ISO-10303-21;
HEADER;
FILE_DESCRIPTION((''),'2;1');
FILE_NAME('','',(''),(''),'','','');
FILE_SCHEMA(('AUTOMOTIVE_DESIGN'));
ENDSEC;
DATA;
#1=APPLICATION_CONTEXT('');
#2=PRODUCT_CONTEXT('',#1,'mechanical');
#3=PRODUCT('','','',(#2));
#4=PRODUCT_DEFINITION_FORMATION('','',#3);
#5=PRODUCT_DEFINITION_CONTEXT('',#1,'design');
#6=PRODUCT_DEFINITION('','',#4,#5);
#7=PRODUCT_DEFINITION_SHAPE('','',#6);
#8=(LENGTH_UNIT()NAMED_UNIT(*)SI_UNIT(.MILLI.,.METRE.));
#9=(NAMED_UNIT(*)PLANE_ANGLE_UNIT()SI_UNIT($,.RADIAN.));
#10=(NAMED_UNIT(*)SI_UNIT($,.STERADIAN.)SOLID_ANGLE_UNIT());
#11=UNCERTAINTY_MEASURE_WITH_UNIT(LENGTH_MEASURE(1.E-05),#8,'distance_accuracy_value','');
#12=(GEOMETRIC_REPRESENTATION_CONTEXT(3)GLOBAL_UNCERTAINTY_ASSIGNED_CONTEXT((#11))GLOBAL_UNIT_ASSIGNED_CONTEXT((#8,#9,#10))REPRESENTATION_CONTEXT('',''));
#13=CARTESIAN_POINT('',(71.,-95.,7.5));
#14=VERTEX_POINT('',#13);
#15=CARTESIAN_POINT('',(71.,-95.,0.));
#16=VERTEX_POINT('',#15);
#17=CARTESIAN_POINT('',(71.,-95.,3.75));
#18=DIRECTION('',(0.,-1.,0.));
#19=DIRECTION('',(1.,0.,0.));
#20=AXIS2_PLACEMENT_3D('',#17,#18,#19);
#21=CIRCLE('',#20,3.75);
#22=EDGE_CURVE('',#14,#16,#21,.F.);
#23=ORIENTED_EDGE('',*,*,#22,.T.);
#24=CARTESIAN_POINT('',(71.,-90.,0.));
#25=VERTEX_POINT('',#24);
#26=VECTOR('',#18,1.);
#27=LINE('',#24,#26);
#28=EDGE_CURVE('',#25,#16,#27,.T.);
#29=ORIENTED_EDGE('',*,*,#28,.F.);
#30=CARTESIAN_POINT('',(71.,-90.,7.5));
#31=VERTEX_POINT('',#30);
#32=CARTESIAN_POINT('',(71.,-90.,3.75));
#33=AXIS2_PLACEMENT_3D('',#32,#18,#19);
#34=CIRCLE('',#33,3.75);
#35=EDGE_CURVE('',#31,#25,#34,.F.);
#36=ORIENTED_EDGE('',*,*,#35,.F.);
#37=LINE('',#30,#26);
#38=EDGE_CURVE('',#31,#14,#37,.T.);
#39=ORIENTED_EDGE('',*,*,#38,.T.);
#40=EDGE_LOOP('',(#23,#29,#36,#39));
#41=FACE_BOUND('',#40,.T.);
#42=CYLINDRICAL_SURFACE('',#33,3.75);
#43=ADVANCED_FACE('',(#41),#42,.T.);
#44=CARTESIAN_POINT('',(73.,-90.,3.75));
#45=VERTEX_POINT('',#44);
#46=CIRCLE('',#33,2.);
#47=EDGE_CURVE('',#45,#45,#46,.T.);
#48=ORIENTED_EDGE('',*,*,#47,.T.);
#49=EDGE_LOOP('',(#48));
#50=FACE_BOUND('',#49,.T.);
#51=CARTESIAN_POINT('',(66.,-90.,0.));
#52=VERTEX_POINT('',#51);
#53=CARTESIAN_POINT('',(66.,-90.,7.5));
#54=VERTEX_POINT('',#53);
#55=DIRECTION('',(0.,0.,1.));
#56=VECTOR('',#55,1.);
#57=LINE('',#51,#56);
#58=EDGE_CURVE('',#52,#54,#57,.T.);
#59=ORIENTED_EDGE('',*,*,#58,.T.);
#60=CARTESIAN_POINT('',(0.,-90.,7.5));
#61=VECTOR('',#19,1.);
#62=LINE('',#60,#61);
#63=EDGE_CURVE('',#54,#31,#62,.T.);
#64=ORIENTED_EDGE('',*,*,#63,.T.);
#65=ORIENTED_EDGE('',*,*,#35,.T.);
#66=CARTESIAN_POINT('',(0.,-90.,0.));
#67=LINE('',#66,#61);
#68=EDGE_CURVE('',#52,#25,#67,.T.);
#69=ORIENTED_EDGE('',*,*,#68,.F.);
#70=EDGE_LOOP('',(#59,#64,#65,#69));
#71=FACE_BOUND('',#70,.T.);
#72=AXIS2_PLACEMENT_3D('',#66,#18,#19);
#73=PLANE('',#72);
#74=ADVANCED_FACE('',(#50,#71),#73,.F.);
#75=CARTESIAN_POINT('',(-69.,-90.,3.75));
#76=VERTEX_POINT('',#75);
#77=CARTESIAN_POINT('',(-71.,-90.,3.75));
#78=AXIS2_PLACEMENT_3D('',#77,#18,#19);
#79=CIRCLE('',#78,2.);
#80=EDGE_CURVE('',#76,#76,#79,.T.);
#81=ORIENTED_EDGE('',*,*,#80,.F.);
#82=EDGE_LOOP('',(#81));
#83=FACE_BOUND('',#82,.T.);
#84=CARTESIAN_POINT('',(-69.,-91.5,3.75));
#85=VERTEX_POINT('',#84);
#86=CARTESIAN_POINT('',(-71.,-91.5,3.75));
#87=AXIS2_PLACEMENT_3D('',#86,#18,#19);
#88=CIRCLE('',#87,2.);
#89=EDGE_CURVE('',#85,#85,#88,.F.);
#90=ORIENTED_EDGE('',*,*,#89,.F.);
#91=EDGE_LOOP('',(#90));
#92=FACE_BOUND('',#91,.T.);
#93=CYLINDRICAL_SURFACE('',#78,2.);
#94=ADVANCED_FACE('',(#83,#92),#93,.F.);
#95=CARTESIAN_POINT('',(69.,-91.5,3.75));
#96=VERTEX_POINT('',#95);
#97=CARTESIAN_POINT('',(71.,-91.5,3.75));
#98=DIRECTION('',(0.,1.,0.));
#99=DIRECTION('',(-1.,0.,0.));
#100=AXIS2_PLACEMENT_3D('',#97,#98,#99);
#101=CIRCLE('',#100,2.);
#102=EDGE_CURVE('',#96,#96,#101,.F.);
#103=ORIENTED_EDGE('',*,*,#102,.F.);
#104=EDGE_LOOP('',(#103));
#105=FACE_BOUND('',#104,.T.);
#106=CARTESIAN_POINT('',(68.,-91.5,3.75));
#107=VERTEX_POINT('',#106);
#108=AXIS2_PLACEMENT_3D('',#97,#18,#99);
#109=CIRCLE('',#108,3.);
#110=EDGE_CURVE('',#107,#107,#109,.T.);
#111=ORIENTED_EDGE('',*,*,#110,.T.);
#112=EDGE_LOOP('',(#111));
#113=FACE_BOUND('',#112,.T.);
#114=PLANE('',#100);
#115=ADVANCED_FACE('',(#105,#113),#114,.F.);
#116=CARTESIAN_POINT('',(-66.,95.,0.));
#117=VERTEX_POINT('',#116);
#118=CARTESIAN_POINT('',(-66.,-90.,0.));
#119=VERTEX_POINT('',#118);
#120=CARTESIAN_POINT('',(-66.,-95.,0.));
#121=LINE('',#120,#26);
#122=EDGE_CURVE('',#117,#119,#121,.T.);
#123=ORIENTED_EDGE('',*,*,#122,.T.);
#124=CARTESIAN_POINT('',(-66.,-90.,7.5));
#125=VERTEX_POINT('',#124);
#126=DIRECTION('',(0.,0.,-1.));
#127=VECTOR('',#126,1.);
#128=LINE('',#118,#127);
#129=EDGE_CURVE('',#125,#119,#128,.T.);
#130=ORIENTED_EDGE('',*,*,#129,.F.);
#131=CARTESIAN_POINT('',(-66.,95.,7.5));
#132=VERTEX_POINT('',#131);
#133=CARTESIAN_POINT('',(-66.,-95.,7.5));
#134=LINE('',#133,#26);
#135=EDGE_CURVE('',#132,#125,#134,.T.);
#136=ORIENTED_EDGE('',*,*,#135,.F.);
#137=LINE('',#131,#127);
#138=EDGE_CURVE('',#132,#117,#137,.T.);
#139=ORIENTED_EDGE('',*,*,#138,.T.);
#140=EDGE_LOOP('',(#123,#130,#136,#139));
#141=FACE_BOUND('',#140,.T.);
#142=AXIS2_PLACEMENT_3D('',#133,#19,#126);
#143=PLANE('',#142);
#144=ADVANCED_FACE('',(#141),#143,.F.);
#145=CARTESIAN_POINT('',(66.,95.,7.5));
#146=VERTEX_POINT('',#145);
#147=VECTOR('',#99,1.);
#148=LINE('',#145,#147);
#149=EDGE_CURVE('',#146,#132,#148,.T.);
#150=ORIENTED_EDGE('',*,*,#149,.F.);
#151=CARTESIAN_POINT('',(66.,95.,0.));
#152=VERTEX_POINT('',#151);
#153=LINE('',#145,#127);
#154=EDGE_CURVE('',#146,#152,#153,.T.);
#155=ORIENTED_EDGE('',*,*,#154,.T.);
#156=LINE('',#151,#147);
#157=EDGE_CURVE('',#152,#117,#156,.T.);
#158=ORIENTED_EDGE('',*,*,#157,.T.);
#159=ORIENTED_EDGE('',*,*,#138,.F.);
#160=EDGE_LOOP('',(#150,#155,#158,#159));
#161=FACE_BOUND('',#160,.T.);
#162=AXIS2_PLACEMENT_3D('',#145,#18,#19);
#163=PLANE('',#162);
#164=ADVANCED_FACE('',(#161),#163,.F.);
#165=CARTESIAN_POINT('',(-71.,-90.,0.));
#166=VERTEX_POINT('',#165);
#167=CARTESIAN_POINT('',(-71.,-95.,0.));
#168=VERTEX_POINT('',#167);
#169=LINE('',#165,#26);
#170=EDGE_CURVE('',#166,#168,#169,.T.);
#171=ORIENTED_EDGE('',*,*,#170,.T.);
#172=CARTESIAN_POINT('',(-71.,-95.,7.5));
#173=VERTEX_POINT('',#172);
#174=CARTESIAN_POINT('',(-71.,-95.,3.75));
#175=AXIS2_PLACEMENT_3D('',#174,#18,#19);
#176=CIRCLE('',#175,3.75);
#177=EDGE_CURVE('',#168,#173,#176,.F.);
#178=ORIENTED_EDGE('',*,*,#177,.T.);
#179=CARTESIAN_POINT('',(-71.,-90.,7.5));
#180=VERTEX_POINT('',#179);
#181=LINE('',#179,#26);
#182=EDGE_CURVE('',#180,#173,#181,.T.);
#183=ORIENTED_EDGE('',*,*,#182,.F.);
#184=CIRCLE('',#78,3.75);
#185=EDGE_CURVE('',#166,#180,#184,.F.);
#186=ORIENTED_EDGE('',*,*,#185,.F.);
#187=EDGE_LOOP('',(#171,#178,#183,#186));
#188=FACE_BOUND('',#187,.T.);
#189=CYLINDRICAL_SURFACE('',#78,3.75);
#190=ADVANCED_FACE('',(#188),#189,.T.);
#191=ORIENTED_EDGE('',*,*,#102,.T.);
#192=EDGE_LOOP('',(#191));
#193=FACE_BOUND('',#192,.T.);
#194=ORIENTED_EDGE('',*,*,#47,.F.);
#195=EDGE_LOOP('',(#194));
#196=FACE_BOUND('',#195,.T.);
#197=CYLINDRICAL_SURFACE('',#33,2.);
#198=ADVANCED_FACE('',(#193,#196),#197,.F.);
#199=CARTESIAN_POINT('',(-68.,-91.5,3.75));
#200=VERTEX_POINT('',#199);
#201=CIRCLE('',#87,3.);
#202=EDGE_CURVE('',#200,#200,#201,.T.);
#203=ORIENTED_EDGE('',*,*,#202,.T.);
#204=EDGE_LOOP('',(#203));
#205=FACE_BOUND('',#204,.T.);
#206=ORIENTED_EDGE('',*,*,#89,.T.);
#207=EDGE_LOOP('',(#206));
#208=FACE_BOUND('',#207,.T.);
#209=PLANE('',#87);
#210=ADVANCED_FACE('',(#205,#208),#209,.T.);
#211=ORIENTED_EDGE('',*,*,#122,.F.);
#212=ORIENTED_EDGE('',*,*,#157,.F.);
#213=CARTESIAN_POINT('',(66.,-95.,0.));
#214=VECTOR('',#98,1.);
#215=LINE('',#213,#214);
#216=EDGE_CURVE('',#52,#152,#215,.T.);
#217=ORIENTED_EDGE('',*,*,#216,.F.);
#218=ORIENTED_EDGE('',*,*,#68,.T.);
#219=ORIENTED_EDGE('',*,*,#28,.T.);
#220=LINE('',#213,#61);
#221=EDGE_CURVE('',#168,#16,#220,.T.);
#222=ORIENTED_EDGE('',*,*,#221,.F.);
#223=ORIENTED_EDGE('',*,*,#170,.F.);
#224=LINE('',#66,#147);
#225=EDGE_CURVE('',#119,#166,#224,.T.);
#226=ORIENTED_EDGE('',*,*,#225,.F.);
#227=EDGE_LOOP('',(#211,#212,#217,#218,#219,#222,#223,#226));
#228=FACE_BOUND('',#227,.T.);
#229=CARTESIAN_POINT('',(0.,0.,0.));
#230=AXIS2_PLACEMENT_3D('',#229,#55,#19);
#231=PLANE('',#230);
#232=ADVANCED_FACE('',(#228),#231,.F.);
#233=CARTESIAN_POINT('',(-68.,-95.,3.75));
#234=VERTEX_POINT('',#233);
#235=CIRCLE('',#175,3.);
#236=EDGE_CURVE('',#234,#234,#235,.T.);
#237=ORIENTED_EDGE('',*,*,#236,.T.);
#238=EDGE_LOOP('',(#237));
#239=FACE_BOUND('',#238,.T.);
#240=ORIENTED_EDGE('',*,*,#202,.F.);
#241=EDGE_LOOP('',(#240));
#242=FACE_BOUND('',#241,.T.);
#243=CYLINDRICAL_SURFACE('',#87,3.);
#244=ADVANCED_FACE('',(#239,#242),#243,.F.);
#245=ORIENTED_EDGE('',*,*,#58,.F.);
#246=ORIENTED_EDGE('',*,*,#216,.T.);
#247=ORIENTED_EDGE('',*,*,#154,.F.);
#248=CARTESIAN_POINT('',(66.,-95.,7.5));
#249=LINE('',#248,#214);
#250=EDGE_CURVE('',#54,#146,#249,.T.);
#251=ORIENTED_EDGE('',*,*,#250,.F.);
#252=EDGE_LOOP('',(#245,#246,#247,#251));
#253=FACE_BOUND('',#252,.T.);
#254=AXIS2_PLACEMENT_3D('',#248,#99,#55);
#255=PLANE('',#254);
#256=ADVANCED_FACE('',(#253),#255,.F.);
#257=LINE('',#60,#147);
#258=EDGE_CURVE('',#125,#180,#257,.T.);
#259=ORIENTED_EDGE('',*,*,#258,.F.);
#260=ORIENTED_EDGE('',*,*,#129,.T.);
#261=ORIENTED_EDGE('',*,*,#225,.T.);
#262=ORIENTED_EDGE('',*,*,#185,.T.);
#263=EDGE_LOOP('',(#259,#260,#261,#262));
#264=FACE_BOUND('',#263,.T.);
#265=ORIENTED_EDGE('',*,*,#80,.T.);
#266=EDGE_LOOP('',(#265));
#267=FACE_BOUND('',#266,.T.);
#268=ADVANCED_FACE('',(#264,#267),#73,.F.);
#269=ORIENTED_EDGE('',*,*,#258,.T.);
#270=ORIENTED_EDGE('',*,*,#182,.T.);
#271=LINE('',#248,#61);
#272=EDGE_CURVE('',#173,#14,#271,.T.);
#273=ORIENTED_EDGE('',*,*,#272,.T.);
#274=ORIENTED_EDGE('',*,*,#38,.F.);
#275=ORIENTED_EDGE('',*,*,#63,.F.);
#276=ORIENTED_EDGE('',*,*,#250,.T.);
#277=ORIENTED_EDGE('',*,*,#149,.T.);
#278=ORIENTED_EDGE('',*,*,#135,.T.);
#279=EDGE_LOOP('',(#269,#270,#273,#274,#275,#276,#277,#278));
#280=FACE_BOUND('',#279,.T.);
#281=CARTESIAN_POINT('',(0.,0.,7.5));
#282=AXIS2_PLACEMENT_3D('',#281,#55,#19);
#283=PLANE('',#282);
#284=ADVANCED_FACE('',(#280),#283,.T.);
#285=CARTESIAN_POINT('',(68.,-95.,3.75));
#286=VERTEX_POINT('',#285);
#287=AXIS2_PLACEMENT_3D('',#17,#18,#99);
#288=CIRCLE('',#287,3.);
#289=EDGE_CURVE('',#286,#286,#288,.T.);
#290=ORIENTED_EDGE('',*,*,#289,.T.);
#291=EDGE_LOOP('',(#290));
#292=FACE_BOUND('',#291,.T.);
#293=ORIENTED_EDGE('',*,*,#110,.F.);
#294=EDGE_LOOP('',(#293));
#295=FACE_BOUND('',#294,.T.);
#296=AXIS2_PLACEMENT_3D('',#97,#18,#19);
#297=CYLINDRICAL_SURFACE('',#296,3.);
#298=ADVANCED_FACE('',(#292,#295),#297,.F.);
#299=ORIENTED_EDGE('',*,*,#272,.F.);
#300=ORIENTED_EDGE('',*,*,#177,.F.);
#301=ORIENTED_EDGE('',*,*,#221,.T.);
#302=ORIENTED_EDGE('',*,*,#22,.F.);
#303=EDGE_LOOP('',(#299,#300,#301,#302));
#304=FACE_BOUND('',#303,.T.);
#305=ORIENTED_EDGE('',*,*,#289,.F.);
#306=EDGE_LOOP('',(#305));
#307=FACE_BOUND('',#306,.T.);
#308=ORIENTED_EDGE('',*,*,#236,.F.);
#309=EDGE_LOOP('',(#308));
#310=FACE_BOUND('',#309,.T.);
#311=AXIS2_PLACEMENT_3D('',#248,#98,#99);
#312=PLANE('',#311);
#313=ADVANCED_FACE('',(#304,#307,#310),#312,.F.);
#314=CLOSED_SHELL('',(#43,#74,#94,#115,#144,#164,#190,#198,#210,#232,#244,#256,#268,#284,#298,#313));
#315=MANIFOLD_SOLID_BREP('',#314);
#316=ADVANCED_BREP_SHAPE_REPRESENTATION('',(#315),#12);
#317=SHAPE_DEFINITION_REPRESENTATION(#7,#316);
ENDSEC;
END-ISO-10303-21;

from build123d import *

# Parameters (mm, degrees)
SKETCH1_W           = 132
SKETCH1_H           = 190
BOSS_EXTRUDE1_DEPTH = 7.5
SKETCH2_W           = 5
SKETCH2_H           = 7.5
BOSS_EXTRUDE2_DEPTH = 5
SKETCH3_R           = 2
CUT_EXTRUDE1_DEPTH  = 5
SKETCH4_R           = 3
CUT_EXTRUDE2_DEPTH  = 3.5


with BuildPart() as part:
    # Sketch1 → Boss-Extrude1 (new body)
    with BuildSketch(Plane.XY):
        Rectangle(SKETCH1_W, SKETCH1_H)
    extrude(amount=BOSS_EXTRUDE1_DEPTH)

    # Sketch2 → Boss-Extrude2 (add)
    with BuildSketch(Plane(origin=(0, -95, 0), x_dir=(-1, 0, 0), z_dir=(0, -1, 0))):
        with BuildLine():
            ThreePointArc((71, 0), (74.75, -3.75), (71, -7.5))
            Line((71, -7.5), (71, 0))
        make_face()
        with Locations((68.5, -3.75)):
            Rectangle(SKETCH2_W, SKETCH2_H)
        with BuildLine():
            ThreePointArc((-71, -7.5), (-74.75, -3.75), (-71, 0))
            Line((-71, 0), (-71, -7.5))
        make_face()
        with Locations((-68.5, -3.75)):
            Rectangle(SKETCH2_W, SKETCH2_H)
    extrude(amount=-BOSS_EXTRUDE2_DEPTH)

    # Sketch3 → Cut-Extrude1 (cut)
    with BuildSketch(Plane(origin=(0, -95, 0), x_dir=(-1, 0, 0), z_dir=(0, -1, 0))):
        with Locations((71, -3.75)):
            Circle(SKETCH3_R)
        with Locations((-71, -3.75)):
            Circle(SKETCH3_R)
    extrude(amount=-CUT_EXTRUDE1_DEPTH, mode=Mode.SUBTRACT)

    # Sketch4 → Cut-Extrude2 (cut)
    with BuildSketch(Plane(origin=(0, -95, 0), x_dir=(-1, 0, 0), z_dir=(0, -1, 0))):
        with Locations((71, -3.75)):
            Circle(SKETCH4_R)
        with Locations((-71, -3.75)):
            Circle(SKETCH4_R)
    extrude(amount=-CUT_EXTRUDE2_DEPTH, mode=Mode.SUBTRACT)


solid = part.part
